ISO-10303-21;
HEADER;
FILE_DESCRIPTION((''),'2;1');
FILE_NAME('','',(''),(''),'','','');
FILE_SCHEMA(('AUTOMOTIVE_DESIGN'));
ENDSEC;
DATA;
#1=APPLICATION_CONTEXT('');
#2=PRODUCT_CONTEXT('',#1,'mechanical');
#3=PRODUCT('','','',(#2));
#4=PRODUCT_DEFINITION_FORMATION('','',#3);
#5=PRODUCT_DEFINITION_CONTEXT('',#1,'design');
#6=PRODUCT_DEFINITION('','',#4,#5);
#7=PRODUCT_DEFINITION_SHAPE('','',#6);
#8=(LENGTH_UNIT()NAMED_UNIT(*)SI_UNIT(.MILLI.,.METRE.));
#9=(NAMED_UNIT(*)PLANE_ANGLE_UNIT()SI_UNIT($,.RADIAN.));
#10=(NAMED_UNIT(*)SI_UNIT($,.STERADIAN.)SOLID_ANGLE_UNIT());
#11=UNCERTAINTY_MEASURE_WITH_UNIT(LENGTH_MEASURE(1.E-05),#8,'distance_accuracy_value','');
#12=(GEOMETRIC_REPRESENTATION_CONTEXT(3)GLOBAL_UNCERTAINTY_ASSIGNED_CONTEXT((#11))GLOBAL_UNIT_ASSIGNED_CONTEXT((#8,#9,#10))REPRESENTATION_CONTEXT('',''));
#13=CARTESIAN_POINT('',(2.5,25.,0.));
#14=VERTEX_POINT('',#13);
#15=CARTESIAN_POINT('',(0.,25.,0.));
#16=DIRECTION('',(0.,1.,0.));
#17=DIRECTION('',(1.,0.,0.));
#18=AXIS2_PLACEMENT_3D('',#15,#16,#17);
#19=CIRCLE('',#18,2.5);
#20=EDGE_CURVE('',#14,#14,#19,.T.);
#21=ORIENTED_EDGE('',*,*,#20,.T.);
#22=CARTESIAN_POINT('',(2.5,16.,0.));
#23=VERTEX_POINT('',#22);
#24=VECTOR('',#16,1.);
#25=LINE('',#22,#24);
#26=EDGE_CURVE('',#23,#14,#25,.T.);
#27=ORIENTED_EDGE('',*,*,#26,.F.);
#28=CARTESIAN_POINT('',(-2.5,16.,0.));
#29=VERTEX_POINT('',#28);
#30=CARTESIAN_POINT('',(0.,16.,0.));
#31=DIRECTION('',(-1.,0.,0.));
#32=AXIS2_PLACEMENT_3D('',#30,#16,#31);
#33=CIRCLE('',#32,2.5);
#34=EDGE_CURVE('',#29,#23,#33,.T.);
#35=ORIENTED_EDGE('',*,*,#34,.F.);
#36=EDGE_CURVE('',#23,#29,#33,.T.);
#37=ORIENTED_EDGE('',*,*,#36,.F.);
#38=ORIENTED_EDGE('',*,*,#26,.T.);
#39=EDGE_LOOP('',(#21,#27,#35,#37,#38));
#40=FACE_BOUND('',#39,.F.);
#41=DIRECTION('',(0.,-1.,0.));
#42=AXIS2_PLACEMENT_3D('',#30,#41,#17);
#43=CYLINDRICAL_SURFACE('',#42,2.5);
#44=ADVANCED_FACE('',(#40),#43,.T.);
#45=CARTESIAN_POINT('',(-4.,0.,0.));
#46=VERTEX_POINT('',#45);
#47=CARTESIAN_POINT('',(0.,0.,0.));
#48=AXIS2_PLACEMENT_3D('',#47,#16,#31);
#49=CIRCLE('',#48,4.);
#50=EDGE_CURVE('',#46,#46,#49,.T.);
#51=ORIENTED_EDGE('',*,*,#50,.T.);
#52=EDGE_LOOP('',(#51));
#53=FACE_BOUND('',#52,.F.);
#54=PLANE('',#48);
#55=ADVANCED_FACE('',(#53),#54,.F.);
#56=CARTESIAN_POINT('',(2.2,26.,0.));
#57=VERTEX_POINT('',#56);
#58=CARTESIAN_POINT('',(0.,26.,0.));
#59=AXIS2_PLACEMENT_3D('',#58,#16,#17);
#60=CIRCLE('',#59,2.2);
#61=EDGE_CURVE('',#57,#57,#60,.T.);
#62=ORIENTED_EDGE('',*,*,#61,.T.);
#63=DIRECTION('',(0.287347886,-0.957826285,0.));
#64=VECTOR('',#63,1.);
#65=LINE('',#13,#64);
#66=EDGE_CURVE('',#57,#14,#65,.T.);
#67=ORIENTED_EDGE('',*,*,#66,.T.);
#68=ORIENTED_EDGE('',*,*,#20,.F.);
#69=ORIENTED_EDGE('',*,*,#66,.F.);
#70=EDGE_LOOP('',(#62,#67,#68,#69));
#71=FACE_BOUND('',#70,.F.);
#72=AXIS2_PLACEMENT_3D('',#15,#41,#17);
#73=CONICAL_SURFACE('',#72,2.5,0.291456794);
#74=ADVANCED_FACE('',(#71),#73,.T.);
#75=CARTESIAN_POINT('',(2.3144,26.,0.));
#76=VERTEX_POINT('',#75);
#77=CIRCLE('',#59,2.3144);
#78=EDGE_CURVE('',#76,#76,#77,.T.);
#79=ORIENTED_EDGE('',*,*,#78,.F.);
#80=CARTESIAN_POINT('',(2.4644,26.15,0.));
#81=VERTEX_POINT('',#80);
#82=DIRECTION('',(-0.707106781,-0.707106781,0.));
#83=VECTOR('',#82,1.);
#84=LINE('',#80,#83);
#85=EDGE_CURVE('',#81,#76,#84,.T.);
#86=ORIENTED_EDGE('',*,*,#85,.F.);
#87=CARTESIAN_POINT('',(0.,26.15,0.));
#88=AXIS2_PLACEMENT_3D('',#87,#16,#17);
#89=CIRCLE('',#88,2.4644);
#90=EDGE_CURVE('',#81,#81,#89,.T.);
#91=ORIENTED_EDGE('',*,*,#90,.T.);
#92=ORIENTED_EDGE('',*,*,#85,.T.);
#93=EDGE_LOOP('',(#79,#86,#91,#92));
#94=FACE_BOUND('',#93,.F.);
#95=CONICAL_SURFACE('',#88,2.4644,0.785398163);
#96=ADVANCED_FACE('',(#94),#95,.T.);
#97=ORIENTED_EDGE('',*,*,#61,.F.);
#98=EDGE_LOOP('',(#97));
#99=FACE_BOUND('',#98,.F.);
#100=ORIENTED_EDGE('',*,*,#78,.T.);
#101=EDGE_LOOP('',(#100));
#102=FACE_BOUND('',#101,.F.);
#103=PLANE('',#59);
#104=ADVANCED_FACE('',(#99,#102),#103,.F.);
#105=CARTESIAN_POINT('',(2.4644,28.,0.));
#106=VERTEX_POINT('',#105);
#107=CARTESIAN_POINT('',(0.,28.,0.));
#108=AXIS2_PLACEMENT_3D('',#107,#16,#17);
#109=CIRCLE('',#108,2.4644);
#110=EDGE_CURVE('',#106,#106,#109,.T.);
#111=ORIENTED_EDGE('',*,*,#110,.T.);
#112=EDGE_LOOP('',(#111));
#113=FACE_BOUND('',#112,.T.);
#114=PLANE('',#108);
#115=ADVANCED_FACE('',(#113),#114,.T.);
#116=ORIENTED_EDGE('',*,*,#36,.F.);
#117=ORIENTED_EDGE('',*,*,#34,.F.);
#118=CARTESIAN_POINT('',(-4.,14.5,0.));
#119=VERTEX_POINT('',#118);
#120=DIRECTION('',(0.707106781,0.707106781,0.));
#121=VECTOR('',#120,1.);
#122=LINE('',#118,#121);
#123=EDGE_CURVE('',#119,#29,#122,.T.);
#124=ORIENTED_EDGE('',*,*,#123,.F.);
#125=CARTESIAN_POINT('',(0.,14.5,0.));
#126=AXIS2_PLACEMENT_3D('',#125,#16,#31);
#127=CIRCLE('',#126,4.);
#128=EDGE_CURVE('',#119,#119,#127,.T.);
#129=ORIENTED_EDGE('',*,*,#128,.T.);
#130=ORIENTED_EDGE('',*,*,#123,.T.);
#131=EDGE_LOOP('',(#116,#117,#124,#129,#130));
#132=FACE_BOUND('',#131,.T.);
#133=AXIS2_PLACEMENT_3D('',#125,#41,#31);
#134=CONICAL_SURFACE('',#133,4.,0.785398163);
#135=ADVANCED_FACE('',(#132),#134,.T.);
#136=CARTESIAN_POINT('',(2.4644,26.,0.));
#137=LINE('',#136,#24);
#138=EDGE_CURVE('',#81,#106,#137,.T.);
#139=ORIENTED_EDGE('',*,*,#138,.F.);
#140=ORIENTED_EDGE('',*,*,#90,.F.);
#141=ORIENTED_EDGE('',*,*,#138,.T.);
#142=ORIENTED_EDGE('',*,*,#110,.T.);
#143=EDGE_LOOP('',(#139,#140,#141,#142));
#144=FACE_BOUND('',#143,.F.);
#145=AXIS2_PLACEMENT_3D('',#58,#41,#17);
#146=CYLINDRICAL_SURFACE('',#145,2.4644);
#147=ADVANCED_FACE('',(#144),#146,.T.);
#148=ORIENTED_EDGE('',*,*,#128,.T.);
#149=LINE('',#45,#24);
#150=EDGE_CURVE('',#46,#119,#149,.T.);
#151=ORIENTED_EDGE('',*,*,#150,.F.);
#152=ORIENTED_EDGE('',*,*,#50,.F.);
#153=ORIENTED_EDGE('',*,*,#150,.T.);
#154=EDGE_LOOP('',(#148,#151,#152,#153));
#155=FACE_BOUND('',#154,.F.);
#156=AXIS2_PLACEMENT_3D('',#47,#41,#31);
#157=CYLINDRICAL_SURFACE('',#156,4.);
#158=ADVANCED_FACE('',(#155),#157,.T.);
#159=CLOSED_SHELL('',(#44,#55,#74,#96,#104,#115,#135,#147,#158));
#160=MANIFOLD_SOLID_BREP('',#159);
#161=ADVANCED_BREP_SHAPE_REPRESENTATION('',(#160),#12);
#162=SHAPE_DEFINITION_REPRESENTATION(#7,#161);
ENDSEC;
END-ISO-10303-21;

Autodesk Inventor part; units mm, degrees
ref_plane "YZ Plane" through (0, 0, 0) normal (1, 0, 0) x (0, 1, 0)
ref_plane "XZ Plane" through (0, 0, 0) normal (0, 1, 0) x (-1, 0, 0)
ref_plane "XY Plane" through (0, 0, 0) normal (0, 0, 1) x (1, 0, 0)
sketch "Sketch1" plane through (0, 0, 0) normal (0, 1, 0) x (-1, 0, 0)
  circle A0 centre (0, 0) radius 4
  dimension "d0" = 8
extrude "Extrusion1" add sketch "Sketch1" along normal blind 16
chamfer "Chamfer1" distance 1.5 angle 45 1 edges at (4, 16, 0)
sketch "Sketch2" plane through (0, 16, 0) normal (0, 1, 0) x (1, 0, 0)
  circle A0 centre (0, 0) radius 2.5
extrude "Extrusion2" add sketch "Sketch2" along normal blind 10
chamfer "Chamfer2" distance 0.3 distance2 1 1 edges at (-2.5, 26, 0) measured on face at (1.2612, 26, 0.6619)
sketch "Sketch3" plane through (0, 26, 0) normal (0, 1, 0) x (1, 0, 0)
  circle A0 centre (0, 0) radius 2.5 projected
  circle A1 centre (0, 0) radius 2.4644
extrude "Extrusion3" add sketch "Sketch3" along normal blind 2 contours A1
chamfer "Chamfer3" distance 0.15 angle 45 1 edges at (-2.4644, 26, 0)
properties part number "McCrea_wrist_Walle"
